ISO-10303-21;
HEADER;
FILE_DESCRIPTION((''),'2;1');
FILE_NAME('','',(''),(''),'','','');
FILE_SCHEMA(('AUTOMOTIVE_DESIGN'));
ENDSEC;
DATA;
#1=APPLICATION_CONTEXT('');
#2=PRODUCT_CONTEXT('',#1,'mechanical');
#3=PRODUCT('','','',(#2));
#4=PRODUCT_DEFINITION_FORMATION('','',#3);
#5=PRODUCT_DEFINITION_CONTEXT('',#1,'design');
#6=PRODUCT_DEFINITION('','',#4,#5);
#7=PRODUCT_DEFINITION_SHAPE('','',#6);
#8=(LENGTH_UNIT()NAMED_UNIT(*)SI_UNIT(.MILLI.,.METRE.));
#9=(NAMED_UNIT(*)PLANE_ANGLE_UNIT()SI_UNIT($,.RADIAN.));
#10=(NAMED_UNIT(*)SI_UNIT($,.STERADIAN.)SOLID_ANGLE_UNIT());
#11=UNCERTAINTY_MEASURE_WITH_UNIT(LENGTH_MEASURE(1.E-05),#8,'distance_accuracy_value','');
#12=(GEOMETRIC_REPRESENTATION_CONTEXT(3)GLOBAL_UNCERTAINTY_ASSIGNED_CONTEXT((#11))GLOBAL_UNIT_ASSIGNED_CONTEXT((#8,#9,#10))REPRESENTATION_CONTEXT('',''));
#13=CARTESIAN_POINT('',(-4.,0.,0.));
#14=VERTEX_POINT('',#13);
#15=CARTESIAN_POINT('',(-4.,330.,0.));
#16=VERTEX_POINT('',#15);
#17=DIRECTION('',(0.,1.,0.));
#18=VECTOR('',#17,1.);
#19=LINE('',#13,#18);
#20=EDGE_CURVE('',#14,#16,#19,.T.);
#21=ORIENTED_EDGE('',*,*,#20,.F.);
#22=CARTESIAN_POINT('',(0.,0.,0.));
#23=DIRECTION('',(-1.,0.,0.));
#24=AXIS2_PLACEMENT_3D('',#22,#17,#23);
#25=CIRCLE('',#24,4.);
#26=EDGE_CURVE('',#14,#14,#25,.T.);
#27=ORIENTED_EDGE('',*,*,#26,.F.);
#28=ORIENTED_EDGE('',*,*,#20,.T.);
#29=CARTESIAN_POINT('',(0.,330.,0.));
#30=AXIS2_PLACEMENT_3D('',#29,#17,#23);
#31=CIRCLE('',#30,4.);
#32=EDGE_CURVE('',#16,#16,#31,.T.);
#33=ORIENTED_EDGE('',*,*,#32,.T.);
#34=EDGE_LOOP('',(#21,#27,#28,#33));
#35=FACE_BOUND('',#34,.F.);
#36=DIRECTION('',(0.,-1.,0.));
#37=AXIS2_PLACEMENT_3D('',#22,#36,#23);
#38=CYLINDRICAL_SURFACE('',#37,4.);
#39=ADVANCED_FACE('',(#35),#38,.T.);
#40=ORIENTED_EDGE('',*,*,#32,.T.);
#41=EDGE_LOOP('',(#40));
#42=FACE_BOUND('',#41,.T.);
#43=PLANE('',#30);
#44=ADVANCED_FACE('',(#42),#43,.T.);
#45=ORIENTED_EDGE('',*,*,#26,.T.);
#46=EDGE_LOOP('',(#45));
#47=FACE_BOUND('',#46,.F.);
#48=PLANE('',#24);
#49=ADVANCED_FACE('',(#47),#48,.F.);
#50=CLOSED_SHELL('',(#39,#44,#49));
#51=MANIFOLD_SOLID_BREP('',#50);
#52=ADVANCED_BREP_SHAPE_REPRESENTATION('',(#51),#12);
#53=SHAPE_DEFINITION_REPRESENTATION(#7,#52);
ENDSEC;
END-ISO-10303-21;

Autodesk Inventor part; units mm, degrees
ref_plane "YZ Plane" through (0, 0, 0) normal (1, 0, 0) x (0, 1, 0)
ref_plane "XZ Plane" through (0, 0, 0) normal (0, 1, 0) x (-1, 0, 0)
ref_plane "XY Plane" through (0, 0, 0) normal (0, 0, 1) x (1, 0, 0)
sketch "Sketch1" plane through (0, 0, 0) normal (0, 1, 0) x (-1, 0, 0)
  circle A0 centre (0, 0) radius 4
  dimension "d0" = 8
extrude "Extrusion1" add sketch "Sketch1" along normal blind 330
properties part number "rod" material "Aluminum"
